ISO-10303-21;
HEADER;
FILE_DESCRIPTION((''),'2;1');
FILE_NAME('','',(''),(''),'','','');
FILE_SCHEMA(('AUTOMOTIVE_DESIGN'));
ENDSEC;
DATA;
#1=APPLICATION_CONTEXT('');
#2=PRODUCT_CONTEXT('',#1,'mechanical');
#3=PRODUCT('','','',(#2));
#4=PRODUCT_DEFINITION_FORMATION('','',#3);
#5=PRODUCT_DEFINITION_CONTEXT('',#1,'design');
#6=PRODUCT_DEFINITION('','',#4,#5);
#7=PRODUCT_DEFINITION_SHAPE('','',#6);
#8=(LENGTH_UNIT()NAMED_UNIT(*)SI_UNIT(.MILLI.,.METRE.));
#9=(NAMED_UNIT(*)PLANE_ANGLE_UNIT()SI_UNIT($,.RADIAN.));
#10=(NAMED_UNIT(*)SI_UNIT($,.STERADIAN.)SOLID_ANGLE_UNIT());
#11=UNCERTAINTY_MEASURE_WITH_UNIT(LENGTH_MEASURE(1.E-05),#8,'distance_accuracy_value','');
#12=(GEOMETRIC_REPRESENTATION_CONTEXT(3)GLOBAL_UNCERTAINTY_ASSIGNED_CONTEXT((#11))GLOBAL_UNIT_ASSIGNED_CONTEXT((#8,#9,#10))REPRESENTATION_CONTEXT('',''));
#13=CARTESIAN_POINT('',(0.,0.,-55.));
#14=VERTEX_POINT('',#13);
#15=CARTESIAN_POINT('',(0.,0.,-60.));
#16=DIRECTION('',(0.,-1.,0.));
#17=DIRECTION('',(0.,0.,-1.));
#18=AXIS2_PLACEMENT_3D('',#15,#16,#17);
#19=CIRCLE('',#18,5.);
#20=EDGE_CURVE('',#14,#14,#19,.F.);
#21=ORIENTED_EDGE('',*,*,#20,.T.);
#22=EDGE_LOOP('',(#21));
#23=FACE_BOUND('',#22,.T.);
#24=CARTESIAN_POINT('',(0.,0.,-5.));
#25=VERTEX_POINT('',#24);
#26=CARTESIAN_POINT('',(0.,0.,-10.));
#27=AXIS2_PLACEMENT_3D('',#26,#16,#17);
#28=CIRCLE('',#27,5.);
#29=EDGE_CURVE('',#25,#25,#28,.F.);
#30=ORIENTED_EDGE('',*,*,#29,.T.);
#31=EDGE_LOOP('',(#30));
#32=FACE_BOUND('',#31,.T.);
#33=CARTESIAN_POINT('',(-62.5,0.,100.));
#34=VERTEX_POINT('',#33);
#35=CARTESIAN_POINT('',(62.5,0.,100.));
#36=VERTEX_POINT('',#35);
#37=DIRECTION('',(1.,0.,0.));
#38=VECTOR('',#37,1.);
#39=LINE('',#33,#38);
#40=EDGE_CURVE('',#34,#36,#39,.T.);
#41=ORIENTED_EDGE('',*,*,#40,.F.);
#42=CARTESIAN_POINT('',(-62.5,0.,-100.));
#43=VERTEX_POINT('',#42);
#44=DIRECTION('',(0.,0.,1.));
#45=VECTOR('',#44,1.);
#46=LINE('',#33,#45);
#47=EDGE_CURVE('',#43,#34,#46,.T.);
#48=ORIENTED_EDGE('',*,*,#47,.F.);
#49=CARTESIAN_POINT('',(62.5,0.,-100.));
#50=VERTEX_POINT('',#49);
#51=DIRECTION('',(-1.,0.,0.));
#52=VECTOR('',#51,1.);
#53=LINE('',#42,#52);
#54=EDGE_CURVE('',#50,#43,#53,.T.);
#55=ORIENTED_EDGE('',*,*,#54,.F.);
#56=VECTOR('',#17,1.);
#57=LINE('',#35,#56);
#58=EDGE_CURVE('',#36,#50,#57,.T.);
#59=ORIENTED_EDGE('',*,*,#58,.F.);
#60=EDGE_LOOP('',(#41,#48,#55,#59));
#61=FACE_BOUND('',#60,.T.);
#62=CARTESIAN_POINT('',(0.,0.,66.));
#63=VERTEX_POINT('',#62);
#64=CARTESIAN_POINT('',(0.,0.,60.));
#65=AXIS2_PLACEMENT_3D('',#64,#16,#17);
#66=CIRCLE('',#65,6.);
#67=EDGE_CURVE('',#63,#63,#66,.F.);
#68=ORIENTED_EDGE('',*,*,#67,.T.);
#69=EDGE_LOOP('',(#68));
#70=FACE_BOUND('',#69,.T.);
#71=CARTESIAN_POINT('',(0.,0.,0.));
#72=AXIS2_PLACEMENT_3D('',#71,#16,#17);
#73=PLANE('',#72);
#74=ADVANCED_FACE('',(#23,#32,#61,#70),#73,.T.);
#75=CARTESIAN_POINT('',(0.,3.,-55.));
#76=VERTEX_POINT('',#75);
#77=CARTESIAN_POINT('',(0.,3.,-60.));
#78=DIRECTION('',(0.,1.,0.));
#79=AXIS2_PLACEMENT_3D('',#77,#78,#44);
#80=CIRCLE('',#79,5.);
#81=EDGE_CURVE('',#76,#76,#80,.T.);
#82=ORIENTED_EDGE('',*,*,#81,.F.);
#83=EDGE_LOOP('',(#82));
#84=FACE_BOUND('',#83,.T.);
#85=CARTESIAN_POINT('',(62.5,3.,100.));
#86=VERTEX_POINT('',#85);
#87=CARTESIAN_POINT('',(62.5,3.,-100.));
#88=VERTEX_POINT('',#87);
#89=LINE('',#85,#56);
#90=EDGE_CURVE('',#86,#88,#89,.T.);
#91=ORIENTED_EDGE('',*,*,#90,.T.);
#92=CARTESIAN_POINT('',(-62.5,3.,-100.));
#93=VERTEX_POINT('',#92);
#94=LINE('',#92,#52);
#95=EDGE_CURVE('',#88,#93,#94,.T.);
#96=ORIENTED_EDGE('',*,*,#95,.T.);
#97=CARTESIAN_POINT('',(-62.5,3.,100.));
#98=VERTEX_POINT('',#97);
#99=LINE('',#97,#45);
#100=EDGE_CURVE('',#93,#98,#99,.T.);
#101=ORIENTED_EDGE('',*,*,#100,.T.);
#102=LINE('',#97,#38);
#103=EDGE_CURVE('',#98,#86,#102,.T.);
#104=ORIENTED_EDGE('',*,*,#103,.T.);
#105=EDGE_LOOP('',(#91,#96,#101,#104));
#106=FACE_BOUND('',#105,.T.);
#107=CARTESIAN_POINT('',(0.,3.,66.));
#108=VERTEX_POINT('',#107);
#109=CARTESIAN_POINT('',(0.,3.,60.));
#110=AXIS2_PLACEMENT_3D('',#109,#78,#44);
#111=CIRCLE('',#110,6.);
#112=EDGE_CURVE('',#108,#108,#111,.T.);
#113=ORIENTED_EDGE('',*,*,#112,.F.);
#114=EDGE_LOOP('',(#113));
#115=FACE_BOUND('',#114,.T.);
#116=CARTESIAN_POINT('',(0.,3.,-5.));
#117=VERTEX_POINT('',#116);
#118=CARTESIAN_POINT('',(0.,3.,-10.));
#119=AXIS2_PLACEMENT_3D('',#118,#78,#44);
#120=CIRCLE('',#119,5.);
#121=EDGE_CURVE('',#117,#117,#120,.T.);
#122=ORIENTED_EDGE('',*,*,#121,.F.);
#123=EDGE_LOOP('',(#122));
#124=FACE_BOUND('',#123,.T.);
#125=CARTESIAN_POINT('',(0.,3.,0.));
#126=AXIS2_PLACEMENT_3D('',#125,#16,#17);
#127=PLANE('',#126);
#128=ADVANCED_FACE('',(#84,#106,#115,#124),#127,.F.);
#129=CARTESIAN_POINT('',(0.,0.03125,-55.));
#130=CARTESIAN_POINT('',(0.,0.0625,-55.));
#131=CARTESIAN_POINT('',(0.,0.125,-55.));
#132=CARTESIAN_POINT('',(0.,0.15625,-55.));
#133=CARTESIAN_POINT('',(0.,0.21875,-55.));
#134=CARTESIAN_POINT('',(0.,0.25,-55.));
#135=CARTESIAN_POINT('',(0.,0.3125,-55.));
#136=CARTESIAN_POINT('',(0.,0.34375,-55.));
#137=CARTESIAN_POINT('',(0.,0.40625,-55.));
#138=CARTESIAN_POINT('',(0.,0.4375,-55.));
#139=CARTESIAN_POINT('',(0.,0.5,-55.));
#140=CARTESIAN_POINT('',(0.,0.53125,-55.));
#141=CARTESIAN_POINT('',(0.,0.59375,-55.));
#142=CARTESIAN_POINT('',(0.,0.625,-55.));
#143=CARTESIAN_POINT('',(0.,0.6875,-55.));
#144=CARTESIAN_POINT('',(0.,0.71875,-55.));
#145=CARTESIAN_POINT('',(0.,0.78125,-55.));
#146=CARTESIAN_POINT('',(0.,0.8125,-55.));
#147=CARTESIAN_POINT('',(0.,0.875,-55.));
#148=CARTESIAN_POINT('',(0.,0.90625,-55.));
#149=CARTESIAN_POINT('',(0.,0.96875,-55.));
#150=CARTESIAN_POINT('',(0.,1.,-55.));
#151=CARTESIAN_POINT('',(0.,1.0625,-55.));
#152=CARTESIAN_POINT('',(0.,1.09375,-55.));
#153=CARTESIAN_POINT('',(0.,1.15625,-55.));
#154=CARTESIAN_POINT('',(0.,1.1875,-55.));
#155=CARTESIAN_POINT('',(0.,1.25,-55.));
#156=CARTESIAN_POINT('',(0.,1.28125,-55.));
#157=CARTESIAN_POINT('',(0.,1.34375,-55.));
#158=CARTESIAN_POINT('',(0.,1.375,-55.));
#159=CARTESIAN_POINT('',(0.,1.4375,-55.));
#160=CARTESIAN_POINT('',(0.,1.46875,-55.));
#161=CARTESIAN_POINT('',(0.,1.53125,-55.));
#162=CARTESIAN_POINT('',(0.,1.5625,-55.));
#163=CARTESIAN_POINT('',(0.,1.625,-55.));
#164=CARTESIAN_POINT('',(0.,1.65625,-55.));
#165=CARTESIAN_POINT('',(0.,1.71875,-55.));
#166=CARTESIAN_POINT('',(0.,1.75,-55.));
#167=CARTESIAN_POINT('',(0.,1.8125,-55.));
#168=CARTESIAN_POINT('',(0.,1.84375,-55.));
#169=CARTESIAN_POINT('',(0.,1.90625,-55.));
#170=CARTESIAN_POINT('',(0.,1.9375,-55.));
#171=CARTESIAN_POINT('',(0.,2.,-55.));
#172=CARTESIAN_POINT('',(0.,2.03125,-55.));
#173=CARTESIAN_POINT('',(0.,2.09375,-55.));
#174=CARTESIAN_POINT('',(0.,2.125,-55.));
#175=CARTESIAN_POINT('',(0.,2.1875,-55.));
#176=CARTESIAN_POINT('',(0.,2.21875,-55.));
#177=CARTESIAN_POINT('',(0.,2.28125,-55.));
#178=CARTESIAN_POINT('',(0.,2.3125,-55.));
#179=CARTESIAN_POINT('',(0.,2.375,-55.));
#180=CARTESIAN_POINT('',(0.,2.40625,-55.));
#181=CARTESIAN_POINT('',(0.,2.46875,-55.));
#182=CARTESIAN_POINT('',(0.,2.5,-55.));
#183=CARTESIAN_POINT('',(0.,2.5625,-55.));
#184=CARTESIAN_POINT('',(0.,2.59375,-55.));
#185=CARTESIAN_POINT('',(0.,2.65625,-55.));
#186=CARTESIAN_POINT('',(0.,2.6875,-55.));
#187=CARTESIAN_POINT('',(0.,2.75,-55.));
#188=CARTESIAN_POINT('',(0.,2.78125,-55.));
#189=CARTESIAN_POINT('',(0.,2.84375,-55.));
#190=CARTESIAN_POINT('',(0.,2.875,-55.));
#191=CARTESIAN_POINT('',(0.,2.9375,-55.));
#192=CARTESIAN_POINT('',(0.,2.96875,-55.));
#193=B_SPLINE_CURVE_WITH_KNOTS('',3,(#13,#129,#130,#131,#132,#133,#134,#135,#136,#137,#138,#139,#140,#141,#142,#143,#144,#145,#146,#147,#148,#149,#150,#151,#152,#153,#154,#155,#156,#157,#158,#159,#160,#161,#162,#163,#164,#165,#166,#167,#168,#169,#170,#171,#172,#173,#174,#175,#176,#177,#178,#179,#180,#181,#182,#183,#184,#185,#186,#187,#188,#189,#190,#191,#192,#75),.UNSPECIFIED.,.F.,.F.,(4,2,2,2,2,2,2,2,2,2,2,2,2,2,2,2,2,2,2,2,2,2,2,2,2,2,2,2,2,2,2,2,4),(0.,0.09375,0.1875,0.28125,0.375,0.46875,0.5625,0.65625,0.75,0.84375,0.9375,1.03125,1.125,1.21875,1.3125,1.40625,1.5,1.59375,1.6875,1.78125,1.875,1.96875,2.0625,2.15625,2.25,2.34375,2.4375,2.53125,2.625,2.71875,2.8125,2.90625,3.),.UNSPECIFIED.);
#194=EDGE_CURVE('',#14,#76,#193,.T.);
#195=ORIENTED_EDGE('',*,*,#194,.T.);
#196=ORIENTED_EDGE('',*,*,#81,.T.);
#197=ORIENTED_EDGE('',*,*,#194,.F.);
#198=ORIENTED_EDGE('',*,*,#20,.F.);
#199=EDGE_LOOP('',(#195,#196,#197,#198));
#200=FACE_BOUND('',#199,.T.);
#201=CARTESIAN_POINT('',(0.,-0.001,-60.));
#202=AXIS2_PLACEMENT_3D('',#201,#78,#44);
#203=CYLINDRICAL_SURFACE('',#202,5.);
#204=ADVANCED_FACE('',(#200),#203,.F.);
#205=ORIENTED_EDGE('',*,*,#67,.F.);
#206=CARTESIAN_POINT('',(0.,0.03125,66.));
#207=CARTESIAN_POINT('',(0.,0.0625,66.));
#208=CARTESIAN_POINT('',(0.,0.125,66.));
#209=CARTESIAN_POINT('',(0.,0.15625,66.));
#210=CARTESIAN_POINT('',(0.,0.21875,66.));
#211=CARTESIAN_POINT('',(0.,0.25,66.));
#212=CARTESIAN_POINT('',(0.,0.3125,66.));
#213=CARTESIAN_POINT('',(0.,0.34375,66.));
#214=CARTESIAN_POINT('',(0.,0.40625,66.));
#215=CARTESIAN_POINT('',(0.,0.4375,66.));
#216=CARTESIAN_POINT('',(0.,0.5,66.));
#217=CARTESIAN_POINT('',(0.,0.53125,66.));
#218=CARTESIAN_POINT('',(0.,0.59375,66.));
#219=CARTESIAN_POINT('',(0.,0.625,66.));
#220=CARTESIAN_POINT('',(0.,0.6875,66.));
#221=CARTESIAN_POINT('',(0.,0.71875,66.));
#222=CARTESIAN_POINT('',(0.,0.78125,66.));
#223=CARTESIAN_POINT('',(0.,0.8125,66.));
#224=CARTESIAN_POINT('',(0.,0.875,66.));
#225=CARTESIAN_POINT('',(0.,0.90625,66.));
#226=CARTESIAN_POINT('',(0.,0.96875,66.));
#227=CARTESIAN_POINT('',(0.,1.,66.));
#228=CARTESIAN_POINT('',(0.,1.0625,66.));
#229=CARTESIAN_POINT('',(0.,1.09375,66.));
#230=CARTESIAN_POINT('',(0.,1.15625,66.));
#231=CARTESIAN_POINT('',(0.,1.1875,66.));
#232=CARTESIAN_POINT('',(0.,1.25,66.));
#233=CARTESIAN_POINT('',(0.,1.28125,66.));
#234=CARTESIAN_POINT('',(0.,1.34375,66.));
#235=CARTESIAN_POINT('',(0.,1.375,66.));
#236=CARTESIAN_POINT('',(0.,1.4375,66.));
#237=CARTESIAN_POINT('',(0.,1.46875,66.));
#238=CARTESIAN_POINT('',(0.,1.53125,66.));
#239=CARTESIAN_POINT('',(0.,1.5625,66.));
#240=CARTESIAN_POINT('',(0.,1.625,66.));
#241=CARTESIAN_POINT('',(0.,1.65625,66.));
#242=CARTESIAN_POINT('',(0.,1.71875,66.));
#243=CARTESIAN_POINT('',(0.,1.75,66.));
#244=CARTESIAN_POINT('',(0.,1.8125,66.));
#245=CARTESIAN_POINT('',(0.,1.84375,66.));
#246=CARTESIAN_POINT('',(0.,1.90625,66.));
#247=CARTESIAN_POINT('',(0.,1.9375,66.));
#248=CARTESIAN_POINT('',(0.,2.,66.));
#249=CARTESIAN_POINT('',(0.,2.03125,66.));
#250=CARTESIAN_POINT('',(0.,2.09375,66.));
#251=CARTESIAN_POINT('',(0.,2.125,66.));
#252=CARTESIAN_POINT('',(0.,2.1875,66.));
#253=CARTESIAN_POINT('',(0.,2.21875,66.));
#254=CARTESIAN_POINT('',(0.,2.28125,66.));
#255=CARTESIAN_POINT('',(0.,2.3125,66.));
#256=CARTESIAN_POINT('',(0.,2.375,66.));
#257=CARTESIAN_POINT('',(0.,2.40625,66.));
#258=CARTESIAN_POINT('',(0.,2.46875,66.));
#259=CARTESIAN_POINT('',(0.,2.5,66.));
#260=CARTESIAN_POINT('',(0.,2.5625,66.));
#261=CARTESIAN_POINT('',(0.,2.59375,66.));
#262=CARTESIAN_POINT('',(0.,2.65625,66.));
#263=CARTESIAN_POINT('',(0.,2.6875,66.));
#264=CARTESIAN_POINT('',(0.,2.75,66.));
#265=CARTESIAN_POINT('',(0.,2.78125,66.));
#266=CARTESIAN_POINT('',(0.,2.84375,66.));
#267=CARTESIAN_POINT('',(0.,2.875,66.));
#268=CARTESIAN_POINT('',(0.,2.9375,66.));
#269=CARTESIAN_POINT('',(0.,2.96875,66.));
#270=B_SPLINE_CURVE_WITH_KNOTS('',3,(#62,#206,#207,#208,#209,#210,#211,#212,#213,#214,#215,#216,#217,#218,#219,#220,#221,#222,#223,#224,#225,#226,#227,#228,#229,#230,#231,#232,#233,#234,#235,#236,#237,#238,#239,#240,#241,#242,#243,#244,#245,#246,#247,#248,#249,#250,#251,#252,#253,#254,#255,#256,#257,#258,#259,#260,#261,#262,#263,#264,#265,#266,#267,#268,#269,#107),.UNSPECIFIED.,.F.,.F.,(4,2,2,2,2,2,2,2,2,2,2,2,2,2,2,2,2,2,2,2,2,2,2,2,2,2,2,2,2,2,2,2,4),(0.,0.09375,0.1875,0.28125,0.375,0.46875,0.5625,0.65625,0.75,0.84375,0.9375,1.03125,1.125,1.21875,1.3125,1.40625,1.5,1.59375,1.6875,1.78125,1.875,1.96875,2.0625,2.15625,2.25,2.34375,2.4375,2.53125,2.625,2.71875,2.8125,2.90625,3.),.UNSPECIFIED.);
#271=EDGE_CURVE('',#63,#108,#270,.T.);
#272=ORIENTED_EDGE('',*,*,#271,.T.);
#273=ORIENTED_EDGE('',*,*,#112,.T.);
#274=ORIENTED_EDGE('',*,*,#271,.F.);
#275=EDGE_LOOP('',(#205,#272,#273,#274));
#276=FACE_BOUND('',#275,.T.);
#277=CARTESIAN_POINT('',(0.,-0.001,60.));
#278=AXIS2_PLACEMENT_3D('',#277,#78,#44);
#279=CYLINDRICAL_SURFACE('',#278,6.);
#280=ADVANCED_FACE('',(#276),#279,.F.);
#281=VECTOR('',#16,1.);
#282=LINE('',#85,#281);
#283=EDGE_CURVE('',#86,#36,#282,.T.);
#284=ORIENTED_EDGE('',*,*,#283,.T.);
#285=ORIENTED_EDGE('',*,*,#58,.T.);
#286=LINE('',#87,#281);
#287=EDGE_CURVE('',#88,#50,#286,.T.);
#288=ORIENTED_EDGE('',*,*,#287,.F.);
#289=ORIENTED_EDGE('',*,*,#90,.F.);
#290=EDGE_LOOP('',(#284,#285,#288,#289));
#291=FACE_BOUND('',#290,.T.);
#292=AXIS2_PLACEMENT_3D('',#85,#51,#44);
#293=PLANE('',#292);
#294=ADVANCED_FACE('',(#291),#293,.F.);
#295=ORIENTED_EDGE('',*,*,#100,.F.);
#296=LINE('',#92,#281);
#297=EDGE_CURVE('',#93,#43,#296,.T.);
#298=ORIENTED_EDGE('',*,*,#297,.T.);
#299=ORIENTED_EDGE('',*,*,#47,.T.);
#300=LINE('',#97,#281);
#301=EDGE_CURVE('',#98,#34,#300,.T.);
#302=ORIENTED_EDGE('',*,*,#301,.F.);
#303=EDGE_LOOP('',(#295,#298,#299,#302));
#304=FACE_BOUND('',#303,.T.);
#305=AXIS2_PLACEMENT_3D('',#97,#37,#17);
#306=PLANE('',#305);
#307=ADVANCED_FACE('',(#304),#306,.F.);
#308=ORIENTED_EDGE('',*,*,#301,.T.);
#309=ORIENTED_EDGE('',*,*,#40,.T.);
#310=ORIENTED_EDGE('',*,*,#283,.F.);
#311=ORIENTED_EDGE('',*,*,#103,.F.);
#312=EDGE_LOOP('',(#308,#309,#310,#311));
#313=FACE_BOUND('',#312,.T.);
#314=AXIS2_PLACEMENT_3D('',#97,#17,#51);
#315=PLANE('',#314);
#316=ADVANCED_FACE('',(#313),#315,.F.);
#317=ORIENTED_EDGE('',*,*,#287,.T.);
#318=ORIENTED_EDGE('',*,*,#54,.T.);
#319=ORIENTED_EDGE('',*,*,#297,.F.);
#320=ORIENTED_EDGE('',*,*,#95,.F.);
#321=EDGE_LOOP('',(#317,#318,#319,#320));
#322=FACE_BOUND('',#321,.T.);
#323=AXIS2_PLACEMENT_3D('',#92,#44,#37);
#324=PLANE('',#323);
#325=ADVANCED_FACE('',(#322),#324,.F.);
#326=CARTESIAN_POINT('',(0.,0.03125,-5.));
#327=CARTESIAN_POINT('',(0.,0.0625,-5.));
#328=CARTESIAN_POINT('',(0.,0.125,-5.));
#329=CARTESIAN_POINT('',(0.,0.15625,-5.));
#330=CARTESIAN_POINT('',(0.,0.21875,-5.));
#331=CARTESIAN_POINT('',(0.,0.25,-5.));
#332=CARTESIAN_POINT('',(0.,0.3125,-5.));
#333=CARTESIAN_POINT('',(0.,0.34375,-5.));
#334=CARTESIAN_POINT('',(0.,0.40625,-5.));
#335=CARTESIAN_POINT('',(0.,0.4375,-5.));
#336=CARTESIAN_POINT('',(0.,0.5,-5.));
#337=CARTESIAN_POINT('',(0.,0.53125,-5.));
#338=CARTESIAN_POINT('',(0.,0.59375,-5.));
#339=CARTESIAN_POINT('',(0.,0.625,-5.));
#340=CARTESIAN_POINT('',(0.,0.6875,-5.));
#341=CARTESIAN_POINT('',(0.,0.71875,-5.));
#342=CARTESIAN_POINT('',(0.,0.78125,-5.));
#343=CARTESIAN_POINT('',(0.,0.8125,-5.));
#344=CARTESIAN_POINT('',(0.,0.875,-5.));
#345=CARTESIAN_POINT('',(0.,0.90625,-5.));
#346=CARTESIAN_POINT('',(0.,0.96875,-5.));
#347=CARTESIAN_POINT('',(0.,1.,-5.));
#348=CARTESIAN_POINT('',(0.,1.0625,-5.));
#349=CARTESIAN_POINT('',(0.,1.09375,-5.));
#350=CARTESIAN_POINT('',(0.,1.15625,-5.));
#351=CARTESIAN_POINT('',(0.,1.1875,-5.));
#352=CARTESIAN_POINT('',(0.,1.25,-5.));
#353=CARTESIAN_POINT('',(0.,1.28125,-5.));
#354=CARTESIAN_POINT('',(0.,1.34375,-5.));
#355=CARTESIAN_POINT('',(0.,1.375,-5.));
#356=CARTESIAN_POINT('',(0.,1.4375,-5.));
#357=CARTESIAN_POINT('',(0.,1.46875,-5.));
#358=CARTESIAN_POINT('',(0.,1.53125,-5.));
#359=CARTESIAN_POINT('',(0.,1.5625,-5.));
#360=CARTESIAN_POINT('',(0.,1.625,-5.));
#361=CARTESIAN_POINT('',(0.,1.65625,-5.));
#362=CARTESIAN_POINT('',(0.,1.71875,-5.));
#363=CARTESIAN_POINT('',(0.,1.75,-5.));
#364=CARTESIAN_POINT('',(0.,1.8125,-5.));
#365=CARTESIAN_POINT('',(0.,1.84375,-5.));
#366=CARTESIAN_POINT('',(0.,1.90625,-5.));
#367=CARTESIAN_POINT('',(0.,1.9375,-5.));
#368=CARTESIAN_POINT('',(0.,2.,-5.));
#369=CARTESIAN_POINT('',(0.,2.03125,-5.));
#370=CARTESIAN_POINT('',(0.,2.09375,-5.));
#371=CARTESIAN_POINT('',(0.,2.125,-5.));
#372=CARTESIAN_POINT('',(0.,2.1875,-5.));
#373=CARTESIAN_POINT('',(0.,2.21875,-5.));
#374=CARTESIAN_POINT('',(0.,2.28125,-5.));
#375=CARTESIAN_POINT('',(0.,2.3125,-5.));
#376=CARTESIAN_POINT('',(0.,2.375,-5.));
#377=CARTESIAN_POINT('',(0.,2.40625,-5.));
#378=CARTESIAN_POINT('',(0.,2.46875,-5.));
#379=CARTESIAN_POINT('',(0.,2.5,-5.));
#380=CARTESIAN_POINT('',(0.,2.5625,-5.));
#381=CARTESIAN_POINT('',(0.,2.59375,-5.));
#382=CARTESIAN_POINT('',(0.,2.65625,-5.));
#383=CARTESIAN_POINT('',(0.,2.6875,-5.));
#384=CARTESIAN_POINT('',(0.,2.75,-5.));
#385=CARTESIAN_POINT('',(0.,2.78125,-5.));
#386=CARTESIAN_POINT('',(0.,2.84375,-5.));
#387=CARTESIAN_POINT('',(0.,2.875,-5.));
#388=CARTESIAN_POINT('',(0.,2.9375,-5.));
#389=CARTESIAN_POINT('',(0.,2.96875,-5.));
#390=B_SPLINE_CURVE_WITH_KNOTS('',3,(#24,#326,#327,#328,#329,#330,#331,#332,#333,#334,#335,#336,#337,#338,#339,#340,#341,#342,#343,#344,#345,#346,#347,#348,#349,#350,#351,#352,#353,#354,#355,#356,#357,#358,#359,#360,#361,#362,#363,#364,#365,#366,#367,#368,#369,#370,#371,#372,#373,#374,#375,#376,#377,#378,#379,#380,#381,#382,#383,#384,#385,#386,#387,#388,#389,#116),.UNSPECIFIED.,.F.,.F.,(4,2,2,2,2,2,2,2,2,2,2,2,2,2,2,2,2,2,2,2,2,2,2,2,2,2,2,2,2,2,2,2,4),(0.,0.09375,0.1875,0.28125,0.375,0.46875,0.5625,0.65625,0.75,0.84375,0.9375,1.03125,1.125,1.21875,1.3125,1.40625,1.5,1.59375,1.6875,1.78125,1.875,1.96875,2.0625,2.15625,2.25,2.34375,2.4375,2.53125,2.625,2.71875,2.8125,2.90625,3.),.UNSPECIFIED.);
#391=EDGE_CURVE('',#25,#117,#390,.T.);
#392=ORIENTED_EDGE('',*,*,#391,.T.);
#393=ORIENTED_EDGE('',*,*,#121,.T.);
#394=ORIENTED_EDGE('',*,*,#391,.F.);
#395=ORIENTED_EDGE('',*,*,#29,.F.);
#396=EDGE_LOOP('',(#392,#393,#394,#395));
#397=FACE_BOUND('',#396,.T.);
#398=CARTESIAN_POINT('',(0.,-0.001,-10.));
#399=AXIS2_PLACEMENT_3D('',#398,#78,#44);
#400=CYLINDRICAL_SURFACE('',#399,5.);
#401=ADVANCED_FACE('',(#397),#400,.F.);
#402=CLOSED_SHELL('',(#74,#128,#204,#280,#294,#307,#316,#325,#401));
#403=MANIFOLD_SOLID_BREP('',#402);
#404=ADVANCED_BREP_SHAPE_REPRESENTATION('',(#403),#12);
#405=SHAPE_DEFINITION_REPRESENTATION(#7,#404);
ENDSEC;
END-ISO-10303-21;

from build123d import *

# Parameters (mm, degrees)
SKETCH1_W           = 125
SKETCH1_H           = 200
BOSS_EXTRUDE1_DEPTH = 3
SKETCH2_R           = 5
SKETCH2_R_2         = 6
CUT_EXTRUDE1_DEPTH  = 3


with BuildPart() as part:
    # Sketch1 → Boss-Extrude1 (new body)
    with BuildSketch(Plane(origin=(0, 0, 0), x_dir=(1, 0, 0), z_dir=(0, 1, 0))):
        Rectangle(SKETCH1_W, SKETCH1_H)
    extrude(amount=BOSS_EXTRUDE1_DEPTH)

    # Sketch2 → Cut-Extrude1 (cut)
    with BuildSketch(Plane(origin=(0, 3, 0), x_dir=(1, 0, 0), z_dir=(0, 1, 0))):
        with Locations(Location((0, 60, 0), (0, 0, 270))):
            Circle(SKETCH2_R)
        with Locations(Location((0, -60, 0), (0, 0, 270))):
            Circle(SKETCH2_R_2)
        with Locations(Location((0, 10, 0), (0, 0, 270))):
            Circle(SKETCH2_R)
    extrude(amount=-CUT_EXTRUDE1_DEPTH, mode=Mode.SUBTRACT)


solid = part.part
